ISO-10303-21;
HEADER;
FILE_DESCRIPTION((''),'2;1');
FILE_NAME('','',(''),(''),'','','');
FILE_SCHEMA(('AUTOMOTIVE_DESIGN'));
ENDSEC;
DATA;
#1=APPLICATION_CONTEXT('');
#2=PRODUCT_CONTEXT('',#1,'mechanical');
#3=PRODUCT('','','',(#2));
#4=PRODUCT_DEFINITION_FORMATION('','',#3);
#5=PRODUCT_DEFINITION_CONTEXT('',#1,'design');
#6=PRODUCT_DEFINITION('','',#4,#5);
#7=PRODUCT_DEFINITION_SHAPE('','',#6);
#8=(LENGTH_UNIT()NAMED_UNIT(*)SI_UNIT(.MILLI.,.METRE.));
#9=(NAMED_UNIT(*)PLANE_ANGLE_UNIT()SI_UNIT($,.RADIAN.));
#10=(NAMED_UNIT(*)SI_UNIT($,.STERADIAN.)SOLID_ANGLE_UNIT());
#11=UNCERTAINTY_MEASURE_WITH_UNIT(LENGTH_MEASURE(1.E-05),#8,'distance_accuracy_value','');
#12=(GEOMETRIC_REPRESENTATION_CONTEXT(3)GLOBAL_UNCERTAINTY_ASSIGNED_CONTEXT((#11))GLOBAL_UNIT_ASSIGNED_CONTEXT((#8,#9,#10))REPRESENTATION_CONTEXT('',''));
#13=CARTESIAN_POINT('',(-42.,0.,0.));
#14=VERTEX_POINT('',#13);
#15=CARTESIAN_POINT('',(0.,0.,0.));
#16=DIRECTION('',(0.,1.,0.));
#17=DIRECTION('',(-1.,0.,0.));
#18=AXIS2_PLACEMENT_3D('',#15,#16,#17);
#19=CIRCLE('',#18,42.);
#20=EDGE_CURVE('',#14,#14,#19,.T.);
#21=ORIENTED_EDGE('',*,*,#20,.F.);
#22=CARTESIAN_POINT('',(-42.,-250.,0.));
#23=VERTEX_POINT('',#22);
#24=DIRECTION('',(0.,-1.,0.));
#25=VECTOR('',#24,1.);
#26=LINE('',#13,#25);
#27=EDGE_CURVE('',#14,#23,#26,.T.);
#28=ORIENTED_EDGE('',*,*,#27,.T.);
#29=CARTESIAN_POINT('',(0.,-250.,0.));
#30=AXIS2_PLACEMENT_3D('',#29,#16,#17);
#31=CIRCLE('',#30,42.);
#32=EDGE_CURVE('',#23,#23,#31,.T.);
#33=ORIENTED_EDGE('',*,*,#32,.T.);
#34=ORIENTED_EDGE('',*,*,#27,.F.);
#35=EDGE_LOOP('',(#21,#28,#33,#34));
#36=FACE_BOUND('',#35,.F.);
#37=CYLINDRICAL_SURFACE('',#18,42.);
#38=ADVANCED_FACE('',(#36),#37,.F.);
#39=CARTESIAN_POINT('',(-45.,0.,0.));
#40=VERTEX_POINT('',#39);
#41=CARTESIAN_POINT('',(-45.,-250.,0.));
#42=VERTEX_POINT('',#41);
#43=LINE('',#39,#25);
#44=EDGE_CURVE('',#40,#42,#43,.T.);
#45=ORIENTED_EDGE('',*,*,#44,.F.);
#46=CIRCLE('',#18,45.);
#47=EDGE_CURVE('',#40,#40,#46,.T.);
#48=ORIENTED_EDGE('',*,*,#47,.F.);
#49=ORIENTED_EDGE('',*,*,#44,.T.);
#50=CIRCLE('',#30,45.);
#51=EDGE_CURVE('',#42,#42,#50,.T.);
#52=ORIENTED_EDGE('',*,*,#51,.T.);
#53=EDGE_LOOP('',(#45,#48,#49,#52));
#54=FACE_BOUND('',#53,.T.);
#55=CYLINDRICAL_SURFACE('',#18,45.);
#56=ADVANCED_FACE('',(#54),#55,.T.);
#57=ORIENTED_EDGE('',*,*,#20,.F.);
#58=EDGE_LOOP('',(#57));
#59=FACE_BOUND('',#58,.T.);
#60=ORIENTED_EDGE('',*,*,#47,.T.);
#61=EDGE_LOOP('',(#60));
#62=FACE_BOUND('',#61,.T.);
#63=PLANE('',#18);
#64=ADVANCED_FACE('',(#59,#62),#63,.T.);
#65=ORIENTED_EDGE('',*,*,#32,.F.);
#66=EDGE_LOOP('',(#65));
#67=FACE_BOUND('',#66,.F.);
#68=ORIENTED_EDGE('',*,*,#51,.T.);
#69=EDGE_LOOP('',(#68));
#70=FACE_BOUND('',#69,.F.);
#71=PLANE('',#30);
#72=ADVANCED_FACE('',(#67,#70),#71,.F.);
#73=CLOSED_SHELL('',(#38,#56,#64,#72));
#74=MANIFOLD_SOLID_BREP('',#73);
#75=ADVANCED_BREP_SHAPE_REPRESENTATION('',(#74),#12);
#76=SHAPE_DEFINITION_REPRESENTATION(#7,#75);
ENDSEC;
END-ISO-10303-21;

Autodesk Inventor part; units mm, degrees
ref_plane "YZ Plane" through (0, 0, 0) normal (1, 0, 0) x (0, 1, 0)
ref_plane "XZ Plane" through (0, 0, 0) normal (0, 1, 0) x (-1, 0, 0)
ref_plane "XY Plane" through (0, 0, 0) normal (0, 0, 1) x (1, 0, 0)
sketch "Sketch1" plane through (0, 0, 0) normal (0, 1, 0) x (-1, 0, 0)
  circle A0 centre (0, 0) radius 45
  circle A1 centre (0, 0) radius 42
  dimension "d0" = 90
  dimension "d1" = 3
extrude "Extrusion1" add sketch "Sketch1" against normal blind 250
properties part number "PRS 1613 FDS tube 3_D940"
